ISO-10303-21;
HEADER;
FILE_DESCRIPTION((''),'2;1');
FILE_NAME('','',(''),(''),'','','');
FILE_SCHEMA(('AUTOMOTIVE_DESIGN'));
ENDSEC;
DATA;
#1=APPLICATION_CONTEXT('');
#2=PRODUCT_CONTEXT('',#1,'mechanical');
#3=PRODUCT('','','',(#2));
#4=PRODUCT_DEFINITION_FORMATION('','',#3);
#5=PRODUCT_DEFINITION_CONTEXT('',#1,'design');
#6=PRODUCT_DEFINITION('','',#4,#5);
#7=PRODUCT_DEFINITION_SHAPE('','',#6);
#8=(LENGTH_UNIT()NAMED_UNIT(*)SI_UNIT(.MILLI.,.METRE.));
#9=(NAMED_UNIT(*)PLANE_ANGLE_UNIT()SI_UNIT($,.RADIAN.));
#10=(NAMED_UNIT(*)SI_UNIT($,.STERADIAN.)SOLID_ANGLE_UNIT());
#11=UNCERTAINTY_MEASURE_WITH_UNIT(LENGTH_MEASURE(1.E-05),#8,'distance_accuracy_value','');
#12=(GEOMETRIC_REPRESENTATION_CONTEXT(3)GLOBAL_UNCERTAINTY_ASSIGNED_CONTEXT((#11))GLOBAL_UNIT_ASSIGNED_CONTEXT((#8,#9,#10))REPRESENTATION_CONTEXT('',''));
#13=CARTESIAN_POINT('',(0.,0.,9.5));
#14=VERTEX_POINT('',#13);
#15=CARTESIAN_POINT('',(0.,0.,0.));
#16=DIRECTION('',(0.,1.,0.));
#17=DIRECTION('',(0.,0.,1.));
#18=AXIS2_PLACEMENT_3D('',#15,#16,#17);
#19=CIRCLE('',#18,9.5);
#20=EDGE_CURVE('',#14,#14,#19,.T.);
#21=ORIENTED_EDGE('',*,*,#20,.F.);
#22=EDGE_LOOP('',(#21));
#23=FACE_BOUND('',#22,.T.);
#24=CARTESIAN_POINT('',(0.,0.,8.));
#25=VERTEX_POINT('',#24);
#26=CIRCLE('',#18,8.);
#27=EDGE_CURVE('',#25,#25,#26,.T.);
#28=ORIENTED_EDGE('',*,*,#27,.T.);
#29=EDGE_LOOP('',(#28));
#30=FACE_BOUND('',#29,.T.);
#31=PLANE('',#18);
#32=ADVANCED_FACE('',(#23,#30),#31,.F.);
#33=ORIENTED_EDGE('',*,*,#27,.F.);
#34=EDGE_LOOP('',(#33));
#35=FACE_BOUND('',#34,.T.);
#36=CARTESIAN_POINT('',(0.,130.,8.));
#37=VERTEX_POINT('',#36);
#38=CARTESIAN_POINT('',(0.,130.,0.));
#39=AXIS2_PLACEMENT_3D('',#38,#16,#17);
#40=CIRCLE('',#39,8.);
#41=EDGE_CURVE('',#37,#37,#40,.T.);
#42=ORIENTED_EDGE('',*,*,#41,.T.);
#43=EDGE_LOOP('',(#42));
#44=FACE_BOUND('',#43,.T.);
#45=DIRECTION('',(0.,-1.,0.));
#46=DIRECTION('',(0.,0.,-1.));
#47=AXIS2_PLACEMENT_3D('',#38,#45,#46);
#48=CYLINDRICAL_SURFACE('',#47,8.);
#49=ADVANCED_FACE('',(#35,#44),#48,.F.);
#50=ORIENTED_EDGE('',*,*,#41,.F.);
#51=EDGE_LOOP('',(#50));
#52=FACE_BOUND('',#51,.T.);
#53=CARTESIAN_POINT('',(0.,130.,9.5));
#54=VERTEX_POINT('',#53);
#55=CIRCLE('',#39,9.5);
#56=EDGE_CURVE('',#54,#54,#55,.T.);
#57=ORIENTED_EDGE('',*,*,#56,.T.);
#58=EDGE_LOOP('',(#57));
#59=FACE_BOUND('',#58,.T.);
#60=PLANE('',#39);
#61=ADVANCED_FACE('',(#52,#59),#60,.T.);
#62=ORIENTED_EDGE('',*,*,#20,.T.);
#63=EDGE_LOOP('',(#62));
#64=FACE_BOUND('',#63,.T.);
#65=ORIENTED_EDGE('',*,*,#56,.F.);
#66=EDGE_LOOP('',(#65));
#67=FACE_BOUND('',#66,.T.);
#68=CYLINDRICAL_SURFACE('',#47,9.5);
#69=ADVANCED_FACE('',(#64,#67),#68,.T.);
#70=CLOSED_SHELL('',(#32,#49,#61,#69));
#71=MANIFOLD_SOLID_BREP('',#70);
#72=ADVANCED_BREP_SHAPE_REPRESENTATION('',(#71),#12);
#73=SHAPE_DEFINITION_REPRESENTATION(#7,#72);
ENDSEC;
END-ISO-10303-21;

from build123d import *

# Parameters (mm, degrees)
SKETCH1_R           = 9.5
SKETCH1_R_2         = 8
BOSS_EXTRUDE1_DEPTH = 130


with BuildPart() as part:
    # Sketch1 → Boss-Extrude1 (new body)
    with BuildSketch(Plane(origin=(0, 0, 0), x_dir=(1, 0, 0), z_dir=(0, 1, 0))):
        Circle(SKETCH1_R)
        Circle(SKETCH1_R_2, mode=Mode.SUBTRACT)
    extrude(amount=BOSS_EXTRUDE1_DEPTH)


solid = part.part
